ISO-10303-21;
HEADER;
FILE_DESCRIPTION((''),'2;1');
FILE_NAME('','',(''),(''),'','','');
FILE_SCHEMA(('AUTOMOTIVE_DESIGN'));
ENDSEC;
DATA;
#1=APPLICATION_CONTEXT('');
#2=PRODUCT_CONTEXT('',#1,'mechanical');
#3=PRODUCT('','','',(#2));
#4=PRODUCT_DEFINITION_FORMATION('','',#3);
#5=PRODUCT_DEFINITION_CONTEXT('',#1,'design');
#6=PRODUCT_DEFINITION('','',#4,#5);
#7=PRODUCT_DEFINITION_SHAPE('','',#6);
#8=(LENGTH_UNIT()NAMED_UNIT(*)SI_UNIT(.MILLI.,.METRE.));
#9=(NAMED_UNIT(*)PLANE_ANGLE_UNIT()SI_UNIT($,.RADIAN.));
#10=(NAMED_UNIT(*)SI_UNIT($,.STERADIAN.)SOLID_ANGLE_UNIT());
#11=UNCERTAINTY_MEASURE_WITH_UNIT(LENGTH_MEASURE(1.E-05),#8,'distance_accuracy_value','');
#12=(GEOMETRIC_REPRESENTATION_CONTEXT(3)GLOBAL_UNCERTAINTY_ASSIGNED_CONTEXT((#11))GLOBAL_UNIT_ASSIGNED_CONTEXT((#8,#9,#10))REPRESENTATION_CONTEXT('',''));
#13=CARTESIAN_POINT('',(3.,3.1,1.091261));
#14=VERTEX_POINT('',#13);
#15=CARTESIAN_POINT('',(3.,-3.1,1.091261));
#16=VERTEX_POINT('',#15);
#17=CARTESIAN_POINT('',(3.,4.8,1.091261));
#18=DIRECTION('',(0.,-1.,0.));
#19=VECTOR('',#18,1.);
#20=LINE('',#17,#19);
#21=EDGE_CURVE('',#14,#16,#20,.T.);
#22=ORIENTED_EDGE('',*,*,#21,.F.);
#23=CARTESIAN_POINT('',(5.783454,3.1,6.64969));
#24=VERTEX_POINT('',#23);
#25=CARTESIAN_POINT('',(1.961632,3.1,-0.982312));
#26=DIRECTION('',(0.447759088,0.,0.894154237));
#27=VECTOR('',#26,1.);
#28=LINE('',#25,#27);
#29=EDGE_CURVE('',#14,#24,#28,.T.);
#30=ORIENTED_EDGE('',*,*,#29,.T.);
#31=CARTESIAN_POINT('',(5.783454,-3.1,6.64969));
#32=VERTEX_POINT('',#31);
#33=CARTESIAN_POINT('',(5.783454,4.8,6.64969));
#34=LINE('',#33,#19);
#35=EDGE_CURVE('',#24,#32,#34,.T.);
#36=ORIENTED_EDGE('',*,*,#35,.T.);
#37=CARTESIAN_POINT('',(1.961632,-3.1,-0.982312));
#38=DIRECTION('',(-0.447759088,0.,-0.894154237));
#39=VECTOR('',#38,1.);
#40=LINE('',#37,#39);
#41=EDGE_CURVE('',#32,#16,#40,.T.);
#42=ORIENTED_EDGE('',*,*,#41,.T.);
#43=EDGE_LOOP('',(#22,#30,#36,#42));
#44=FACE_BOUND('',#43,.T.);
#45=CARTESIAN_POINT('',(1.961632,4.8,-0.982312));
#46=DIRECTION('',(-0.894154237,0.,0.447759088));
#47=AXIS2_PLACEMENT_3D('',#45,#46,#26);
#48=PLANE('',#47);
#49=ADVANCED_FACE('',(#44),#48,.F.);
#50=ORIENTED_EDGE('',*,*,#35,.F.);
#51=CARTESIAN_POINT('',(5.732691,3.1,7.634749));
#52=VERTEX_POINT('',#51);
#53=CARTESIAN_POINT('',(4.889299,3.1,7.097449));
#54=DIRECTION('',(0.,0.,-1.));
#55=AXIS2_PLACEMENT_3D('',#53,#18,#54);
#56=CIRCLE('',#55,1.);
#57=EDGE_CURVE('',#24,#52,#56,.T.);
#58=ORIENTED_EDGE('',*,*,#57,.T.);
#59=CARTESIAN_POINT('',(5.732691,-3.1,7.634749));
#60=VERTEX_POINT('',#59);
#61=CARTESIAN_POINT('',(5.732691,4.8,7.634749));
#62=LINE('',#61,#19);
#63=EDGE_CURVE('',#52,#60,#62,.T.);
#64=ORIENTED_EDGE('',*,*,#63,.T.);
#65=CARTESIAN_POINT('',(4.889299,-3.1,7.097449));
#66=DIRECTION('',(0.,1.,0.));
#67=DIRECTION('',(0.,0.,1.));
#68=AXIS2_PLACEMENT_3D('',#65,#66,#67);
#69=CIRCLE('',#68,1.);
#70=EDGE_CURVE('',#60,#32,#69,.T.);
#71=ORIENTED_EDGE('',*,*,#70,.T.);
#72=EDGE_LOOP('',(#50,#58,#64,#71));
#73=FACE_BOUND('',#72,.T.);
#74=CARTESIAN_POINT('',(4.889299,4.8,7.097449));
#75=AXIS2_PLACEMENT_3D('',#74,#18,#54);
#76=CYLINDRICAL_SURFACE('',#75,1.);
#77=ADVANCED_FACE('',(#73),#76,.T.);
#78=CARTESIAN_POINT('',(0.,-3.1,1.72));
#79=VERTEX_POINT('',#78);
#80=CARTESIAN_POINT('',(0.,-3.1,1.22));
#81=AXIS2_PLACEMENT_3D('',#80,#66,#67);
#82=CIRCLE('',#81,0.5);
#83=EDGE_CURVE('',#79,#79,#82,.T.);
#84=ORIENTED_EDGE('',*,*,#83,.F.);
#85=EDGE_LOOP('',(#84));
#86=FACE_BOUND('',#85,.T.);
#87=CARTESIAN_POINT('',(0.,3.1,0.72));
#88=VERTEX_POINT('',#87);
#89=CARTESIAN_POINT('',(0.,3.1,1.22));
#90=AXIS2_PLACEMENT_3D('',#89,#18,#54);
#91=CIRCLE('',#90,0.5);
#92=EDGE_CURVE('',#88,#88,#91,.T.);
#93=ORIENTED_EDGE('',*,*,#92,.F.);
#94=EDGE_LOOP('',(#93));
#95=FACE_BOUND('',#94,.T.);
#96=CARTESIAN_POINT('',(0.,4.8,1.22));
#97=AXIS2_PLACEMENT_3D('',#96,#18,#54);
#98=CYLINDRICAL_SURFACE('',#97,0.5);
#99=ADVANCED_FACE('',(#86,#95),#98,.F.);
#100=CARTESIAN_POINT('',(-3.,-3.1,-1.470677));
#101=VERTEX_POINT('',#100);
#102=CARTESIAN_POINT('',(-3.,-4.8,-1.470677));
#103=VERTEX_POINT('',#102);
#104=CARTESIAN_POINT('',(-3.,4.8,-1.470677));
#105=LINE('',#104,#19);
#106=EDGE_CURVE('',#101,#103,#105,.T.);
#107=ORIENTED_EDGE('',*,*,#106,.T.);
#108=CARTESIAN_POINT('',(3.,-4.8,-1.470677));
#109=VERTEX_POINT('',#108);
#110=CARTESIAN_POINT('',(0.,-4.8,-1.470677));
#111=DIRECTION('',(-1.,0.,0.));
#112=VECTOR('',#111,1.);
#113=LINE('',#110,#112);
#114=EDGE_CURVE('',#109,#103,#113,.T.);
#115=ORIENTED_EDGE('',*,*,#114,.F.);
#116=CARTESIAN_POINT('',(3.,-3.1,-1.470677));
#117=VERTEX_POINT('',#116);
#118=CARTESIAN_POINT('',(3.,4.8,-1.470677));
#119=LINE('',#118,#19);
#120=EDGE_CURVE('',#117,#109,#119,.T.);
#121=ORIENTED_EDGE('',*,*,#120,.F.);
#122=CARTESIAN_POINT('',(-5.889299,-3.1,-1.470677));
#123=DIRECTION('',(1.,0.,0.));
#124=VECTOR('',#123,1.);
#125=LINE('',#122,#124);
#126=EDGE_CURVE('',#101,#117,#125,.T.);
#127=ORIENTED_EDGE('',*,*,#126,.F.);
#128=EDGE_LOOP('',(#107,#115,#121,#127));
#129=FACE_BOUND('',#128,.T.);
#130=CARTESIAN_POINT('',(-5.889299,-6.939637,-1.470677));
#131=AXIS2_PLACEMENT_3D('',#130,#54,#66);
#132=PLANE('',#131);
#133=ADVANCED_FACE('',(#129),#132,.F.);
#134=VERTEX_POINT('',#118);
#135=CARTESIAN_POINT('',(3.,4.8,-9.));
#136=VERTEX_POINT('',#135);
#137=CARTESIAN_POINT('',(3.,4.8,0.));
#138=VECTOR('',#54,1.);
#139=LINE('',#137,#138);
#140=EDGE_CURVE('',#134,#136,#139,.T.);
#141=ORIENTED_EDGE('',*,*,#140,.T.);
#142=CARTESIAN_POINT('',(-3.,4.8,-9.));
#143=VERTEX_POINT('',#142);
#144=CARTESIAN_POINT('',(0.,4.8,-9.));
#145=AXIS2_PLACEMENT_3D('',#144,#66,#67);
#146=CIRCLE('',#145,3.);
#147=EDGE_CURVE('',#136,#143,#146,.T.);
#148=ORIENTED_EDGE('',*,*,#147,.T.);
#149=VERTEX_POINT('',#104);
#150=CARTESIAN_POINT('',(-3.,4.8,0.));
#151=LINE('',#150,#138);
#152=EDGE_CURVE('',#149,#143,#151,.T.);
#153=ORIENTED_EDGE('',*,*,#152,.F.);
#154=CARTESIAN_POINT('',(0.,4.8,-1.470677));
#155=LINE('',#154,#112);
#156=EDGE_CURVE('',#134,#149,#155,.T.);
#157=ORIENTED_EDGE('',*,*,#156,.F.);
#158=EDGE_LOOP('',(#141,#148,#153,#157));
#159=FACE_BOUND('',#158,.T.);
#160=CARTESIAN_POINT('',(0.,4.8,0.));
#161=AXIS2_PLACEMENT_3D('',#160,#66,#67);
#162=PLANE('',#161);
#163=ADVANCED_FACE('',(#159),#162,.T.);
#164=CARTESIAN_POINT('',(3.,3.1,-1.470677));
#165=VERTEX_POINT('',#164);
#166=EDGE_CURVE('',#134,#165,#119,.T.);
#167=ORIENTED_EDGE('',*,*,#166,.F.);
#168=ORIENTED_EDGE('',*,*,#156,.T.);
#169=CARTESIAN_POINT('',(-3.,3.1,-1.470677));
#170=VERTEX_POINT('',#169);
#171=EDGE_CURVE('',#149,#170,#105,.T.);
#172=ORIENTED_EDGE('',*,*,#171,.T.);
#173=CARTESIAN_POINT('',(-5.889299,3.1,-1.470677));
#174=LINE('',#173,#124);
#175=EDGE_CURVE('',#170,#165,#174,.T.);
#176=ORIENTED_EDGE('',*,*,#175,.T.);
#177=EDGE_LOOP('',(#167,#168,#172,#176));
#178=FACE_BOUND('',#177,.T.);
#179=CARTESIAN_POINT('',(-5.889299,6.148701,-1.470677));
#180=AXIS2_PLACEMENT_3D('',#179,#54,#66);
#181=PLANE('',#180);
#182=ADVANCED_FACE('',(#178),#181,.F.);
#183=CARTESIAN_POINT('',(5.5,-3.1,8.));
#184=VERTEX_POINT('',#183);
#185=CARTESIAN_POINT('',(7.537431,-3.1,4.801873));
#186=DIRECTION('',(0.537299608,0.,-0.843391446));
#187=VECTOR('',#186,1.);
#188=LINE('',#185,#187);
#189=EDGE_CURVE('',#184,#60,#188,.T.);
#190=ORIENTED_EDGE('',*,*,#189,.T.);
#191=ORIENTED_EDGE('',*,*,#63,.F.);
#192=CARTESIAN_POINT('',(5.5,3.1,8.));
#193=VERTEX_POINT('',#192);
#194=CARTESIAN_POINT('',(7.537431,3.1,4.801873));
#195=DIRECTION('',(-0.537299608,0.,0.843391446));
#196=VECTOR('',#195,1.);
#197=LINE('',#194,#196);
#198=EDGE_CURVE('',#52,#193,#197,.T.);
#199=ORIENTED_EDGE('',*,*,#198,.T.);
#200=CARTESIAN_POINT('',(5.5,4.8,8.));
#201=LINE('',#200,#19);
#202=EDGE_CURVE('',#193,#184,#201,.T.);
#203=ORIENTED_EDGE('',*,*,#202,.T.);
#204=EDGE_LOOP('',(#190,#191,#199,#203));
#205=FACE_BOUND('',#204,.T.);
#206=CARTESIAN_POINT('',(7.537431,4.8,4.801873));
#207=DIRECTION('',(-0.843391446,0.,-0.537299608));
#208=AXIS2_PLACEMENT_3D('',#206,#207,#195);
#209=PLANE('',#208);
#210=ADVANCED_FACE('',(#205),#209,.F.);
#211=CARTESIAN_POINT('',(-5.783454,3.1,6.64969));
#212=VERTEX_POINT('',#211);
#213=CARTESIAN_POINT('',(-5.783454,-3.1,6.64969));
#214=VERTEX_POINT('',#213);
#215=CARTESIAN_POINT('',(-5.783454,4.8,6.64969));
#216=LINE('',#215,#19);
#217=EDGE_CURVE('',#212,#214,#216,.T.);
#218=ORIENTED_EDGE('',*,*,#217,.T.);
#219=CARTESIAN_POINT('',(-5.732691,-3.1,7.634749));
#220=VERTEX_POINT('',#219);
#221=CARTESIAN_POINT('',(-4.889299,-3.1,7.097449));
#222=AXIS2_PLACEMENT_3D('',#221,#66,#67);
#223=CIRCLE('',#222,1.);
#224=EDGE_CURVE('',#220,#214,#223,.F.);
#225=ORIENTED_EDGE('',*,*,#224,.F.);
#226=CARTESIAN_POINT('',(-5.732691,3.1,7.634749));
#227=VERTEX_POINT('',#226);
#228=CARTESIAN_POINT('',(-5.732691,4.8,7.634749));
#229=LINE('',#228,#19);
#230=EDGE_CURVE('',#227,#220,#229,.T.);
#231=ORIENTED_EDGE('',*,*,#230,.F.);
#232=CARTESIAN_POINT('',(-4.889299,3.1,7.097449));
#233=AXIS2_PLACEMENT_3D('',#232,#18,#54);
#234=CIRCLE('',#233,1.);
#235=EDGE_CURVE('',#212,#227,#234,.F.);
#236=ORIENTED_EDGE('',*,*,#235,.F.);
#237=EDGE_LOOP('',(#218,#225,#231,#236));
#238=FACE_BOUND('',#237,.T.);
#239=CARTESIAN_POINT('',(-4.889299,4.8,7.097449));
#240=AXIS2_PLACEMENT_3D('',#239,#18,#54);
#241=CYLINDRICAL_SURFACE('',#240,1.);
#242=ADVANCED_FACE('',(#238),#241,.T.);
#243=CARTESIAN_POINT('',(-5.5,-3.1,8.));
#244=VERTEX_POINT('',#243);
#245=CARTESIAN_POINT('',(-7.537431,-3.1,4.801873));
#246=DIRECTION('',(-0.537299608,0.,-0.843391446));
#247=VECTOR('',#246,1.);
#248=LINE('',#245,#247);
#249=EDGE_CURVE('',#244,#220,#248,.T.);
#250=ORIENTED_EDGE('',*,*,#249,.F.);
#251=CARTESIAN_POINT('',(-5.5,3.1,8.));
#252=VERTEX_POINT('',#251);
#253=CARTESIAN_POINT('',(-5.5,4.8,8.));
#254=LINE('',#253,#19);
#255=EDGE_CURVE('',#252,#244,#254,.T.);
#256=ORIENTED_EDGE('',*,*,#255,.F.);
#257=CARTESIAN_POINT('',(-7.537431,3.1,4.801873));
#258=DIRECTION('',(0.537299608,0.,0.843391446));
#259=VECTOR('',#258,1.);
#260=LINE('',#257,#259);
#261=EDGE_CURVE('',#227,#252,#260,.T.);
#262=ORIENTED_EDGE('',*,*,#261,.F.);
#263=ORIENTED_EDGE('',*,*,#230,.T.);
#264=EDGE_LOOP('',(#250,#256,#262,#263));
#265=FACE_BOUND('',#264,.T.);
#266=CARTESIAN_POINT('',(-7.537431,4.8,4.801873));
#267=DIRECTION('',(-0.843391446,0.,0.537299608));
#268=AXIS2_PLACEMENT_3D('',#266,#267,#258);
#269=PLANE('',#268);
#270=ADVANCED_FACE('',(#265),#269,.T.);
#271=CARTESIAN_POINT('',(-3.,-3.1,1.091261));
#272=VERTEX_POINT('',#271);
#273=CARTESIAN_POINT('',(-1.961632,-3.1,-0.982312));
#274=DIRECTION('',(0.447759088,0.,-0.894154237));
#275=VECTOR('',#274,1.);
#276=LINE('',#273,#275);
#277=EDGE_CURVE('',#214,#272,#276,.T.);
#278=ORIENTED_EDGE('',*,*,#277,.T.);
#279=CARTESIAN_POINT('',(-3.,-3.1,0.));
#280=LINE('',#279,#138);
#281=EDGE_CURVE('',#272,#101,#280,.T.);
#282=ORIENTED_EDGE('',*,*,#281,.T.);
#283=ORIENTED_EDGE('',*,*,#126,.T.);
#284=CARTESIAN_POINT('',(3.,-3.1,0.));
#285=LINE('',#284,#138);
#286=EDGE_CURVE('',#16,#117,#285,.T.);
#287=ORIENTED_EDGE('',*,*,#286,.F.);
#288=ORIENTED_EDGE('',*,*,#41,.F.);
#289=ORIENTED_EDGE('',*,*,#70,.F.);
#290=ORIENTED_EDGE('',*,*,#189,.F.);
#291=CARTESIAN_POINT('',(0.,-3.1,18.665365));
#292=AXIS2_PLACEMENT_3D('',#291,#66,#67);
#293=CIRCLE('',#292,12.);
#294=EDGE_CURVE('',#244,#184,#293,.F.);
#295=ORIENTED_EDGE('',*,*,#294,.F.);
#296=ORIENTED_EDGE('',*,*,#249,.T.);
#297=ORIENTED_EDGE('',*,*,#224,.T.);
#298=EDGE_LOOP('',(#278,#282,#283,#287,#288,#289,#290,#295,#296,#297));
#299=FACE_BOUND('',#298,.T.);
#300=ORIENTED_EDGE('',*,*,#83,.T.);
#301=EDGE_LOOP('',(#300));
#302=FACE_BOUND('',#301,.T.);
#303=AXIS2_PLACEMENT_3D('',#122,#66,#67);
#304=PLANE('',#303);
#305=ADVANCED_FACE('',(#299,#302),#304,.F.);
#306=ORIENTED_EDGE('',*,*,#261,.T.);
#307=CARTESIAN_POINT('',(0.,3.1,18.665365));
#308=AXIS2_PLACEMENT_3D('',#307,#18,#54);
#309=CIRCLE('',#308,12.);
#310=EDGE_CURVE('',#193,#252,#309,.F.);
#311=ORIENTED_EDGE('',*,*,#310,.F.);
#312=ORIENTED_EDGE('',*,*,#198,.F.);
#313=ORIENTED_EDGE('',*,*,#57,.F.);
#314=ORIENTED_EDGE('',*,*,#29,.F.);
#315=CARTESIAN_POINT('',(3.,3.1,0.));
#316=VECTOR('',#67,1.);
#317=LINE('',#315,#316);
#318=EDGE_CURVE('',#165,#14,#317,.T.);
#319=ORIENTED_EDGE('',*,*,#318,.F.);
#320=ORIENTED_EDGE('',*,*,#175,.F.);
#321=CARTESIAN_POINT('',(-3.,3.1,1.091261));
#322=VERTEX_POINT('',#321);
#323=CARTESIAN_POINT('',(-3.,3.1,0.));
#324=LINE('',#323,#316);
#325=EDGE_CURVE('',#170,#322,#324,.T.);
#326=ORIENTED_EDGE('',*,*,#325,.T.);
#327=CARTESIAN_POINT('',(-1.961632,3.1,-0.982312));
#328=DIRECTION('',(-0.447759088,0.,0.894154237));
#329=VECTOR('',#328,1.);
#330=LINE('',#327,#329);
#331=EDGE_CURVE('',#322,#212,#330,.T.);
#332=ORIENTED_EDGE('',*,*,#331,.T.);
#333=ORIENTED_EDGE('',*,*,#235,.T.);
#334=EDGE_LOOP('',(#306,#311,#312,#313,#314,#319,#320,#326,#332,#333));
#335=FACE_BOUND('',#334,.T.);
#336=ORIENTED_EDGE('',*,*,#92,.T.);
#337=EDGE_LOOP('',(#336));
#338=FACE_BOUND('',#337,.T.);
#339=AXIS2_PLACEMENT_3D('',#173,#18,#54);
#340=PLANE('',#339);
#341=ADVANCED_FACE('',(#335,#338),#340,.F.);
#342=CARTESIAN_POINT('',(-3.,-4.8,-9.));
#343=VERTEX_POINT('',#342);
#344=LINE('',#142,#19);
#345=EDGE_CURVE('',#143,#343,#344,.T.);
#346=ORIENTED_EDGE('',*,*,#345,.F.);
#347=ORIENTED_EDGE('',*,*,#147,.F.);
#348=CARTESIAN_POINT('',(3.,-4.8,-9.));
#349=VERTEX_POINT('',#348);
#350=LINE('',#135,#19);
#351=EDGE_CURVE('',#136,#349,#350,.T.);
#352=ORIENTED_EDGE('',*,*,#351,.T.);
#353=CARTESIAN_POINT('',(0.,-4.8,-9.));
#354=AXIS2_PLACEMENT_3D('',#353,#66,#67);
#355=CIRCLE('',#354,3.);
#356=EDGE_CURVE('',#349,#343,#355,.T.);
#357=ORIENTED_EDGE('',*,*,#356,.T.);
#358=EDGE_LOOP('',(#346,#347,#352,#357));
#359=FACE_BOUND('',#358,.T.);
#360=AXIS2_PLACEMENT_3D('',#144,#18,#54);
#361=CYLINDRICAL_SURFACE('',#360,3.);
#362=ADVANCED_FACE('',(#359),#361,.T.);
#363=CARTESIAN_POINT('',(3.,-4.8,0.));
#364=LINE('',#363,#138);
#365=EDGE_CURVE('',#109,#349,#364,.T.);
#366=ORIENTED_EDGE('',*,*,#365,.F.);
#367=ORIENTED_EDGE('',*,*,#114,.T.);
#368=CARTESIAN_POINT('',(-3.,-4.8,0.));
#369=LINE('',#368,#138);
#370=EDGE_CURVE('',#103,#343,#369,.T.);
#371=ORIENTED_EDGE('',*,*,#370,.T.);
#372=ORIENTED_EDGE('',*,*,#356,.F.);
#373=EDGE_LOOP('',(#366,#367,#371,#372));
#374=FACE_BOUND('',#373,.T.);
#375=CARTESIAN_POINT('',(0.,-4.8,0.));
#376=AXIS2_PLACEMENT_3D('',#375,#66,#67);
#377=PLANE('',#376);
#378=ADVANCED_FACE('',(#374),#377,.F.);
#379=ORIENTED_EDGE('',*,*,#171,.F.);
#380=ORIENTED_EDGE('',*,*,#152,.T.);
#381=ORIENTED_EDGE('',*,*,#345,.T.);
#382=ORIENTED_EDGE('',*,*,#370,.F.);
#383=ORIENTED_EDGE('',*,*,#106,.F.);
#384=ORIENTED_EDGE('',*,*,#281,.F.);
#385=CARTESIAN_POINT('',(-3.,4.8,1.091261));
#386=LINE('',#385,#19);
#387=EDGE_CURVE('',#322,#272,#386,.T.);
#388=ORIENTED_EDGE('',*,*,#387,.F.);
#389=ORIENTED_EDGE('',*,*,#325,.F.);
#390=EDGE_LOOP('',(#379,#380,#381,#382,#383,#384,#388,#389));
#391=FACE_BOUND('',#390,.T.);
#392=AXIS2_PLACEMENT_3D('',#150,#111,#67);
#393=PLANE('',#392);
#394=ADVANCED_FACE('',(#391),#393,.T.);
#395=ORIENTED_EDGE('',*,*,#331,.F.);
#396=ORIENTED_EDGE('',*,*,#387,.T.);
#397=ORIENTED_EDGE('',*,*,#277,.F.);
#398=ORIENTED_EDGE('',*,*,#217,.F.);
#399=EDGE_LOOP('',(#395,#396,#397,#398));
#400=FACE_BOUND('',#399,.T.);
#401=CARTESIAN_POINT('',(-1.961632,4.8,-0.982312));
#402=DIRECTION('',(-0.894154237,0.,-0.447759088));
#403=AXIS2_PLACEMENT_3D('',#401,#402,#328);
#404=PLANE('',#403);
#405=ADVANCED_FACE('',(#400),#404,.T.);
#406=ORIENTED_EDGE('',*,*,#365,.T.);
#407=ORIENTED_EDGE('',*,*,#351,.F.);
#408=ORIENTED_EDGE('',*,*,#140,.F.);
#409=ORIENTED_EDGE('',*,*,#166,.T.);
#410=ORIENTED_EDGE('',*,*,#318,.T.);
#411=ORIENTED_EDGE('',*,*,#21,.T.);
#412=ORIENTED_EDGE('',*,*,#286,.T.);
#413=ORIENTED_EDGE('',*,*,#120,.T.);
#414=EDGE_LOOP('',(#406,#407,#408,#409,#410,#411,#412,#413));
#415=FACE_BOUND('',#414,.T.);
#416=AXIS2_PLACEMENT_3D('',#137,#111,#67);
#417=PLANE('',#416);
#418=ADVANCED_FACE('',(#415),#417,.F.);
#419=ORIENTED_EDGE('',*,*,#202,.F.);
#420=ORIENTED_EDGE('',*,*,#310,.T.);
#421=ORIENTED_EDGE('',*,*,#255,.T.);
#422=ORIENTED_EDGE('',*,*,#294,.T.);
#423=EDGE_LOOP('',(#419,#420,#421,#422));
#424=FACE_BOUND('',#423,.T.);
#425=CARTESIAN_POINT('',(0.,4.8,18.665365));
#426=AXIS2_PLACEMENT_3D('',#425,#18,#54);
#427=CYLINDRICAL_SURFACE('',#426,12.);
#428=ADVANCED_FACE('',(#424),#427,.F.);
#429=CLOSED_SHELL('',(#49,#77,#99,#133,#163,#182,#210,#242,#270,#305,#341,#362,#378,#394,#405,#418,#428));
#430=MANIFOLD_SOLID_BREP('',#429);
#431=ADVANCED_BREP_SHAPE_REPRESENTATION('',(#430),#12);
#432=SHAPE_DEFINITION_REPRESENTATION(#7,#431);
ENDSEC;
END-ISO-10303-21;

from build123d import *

# Parameters (mm, degrees)
SKETCH1_R               = 0.5
BOSS_EXTRUDE1_DEPTH     = 4.8
SKETCH3_W               = 11.720240581
SKETCH3_H               = 3.048700617
SKETCH3_W_2             = 11.288820682
SKETCH3_H_2             = 3.839637098
CUT_EXTRUDE1_DEPTH      = 6.889299393
CUT_EXTRUDE1_DEPTH_BACK = 6.889299393


with BuildPart() as part:
    # Sketch1 → Boss-Extrude1 (new body, symmetric)
    with BuildSketch(Plane(origin=(0, 0, 0), x_dir=(1, 0, 0), z_dir=(0, 1, 0))):
        with BuildLine():
            Line((-3, 9), (-3, -1.091261391))
            Line((-3, -1.091261391), (-5.78345363, -6.64968985))
            ThreePointArc((-5.78345363, -6.64968985), (-5.88797422, -7.148913405), (-5.732690839, -7.634748546))
            Line((-5.732690839, -7.634748546), (-5.5, -8))
            ThreePointArc((-5.5, -8), (0, -6.665364504), (5.5, -8))
            Line((5.5, -8), (5.732690839, -7.634748546))
            ThreePointArc((5.732690839, -7.634748546), (5.88797422, -7.148913405), (5.78345363, -6.64968985))
            Line((5.78345363, -6.64968985), (3, -1.091261391))
            Line((3, -1.091261391), (3, 9))
            ThreePointArc((3, 9), (0, 12), (-3, 9))
        make_face()
        with Locations((0, -1.22)):
            Circle(SKETCH1_R, mode=Mode.SUBTRACT)
    extrude(amount=BOSS_EXTRUDE1_DEPTH, both=True)

    # Sketch3 → Cut-Extrude1 (cut, two sides)
    with BuildSketch(Plane(origin=(0, 0, 0), x_dir=(0, 0, -1), z_dir=(1, 0, 0))) as cut_extrude1_sk:
        with Locations((-4.389443778, 4.624350309)):
            Rectangle(SKETCH3_W, SKETCH3_H)
        with Locations((-4.173733829, -5.019818549)):
            Rectangle(SKETCH3_W_2, SKETCH3_H_2)
    extrude(amount=CUT_EXTRUDE1_DEPTH, mode=Mode.SUBTRACT)
    extrude(cut_extrude1_sk.sketch, amount=-CUT_EXTRUDE1_DEPTH_BACK, mode=Mode.SUBTRACT)


solid = part.part
